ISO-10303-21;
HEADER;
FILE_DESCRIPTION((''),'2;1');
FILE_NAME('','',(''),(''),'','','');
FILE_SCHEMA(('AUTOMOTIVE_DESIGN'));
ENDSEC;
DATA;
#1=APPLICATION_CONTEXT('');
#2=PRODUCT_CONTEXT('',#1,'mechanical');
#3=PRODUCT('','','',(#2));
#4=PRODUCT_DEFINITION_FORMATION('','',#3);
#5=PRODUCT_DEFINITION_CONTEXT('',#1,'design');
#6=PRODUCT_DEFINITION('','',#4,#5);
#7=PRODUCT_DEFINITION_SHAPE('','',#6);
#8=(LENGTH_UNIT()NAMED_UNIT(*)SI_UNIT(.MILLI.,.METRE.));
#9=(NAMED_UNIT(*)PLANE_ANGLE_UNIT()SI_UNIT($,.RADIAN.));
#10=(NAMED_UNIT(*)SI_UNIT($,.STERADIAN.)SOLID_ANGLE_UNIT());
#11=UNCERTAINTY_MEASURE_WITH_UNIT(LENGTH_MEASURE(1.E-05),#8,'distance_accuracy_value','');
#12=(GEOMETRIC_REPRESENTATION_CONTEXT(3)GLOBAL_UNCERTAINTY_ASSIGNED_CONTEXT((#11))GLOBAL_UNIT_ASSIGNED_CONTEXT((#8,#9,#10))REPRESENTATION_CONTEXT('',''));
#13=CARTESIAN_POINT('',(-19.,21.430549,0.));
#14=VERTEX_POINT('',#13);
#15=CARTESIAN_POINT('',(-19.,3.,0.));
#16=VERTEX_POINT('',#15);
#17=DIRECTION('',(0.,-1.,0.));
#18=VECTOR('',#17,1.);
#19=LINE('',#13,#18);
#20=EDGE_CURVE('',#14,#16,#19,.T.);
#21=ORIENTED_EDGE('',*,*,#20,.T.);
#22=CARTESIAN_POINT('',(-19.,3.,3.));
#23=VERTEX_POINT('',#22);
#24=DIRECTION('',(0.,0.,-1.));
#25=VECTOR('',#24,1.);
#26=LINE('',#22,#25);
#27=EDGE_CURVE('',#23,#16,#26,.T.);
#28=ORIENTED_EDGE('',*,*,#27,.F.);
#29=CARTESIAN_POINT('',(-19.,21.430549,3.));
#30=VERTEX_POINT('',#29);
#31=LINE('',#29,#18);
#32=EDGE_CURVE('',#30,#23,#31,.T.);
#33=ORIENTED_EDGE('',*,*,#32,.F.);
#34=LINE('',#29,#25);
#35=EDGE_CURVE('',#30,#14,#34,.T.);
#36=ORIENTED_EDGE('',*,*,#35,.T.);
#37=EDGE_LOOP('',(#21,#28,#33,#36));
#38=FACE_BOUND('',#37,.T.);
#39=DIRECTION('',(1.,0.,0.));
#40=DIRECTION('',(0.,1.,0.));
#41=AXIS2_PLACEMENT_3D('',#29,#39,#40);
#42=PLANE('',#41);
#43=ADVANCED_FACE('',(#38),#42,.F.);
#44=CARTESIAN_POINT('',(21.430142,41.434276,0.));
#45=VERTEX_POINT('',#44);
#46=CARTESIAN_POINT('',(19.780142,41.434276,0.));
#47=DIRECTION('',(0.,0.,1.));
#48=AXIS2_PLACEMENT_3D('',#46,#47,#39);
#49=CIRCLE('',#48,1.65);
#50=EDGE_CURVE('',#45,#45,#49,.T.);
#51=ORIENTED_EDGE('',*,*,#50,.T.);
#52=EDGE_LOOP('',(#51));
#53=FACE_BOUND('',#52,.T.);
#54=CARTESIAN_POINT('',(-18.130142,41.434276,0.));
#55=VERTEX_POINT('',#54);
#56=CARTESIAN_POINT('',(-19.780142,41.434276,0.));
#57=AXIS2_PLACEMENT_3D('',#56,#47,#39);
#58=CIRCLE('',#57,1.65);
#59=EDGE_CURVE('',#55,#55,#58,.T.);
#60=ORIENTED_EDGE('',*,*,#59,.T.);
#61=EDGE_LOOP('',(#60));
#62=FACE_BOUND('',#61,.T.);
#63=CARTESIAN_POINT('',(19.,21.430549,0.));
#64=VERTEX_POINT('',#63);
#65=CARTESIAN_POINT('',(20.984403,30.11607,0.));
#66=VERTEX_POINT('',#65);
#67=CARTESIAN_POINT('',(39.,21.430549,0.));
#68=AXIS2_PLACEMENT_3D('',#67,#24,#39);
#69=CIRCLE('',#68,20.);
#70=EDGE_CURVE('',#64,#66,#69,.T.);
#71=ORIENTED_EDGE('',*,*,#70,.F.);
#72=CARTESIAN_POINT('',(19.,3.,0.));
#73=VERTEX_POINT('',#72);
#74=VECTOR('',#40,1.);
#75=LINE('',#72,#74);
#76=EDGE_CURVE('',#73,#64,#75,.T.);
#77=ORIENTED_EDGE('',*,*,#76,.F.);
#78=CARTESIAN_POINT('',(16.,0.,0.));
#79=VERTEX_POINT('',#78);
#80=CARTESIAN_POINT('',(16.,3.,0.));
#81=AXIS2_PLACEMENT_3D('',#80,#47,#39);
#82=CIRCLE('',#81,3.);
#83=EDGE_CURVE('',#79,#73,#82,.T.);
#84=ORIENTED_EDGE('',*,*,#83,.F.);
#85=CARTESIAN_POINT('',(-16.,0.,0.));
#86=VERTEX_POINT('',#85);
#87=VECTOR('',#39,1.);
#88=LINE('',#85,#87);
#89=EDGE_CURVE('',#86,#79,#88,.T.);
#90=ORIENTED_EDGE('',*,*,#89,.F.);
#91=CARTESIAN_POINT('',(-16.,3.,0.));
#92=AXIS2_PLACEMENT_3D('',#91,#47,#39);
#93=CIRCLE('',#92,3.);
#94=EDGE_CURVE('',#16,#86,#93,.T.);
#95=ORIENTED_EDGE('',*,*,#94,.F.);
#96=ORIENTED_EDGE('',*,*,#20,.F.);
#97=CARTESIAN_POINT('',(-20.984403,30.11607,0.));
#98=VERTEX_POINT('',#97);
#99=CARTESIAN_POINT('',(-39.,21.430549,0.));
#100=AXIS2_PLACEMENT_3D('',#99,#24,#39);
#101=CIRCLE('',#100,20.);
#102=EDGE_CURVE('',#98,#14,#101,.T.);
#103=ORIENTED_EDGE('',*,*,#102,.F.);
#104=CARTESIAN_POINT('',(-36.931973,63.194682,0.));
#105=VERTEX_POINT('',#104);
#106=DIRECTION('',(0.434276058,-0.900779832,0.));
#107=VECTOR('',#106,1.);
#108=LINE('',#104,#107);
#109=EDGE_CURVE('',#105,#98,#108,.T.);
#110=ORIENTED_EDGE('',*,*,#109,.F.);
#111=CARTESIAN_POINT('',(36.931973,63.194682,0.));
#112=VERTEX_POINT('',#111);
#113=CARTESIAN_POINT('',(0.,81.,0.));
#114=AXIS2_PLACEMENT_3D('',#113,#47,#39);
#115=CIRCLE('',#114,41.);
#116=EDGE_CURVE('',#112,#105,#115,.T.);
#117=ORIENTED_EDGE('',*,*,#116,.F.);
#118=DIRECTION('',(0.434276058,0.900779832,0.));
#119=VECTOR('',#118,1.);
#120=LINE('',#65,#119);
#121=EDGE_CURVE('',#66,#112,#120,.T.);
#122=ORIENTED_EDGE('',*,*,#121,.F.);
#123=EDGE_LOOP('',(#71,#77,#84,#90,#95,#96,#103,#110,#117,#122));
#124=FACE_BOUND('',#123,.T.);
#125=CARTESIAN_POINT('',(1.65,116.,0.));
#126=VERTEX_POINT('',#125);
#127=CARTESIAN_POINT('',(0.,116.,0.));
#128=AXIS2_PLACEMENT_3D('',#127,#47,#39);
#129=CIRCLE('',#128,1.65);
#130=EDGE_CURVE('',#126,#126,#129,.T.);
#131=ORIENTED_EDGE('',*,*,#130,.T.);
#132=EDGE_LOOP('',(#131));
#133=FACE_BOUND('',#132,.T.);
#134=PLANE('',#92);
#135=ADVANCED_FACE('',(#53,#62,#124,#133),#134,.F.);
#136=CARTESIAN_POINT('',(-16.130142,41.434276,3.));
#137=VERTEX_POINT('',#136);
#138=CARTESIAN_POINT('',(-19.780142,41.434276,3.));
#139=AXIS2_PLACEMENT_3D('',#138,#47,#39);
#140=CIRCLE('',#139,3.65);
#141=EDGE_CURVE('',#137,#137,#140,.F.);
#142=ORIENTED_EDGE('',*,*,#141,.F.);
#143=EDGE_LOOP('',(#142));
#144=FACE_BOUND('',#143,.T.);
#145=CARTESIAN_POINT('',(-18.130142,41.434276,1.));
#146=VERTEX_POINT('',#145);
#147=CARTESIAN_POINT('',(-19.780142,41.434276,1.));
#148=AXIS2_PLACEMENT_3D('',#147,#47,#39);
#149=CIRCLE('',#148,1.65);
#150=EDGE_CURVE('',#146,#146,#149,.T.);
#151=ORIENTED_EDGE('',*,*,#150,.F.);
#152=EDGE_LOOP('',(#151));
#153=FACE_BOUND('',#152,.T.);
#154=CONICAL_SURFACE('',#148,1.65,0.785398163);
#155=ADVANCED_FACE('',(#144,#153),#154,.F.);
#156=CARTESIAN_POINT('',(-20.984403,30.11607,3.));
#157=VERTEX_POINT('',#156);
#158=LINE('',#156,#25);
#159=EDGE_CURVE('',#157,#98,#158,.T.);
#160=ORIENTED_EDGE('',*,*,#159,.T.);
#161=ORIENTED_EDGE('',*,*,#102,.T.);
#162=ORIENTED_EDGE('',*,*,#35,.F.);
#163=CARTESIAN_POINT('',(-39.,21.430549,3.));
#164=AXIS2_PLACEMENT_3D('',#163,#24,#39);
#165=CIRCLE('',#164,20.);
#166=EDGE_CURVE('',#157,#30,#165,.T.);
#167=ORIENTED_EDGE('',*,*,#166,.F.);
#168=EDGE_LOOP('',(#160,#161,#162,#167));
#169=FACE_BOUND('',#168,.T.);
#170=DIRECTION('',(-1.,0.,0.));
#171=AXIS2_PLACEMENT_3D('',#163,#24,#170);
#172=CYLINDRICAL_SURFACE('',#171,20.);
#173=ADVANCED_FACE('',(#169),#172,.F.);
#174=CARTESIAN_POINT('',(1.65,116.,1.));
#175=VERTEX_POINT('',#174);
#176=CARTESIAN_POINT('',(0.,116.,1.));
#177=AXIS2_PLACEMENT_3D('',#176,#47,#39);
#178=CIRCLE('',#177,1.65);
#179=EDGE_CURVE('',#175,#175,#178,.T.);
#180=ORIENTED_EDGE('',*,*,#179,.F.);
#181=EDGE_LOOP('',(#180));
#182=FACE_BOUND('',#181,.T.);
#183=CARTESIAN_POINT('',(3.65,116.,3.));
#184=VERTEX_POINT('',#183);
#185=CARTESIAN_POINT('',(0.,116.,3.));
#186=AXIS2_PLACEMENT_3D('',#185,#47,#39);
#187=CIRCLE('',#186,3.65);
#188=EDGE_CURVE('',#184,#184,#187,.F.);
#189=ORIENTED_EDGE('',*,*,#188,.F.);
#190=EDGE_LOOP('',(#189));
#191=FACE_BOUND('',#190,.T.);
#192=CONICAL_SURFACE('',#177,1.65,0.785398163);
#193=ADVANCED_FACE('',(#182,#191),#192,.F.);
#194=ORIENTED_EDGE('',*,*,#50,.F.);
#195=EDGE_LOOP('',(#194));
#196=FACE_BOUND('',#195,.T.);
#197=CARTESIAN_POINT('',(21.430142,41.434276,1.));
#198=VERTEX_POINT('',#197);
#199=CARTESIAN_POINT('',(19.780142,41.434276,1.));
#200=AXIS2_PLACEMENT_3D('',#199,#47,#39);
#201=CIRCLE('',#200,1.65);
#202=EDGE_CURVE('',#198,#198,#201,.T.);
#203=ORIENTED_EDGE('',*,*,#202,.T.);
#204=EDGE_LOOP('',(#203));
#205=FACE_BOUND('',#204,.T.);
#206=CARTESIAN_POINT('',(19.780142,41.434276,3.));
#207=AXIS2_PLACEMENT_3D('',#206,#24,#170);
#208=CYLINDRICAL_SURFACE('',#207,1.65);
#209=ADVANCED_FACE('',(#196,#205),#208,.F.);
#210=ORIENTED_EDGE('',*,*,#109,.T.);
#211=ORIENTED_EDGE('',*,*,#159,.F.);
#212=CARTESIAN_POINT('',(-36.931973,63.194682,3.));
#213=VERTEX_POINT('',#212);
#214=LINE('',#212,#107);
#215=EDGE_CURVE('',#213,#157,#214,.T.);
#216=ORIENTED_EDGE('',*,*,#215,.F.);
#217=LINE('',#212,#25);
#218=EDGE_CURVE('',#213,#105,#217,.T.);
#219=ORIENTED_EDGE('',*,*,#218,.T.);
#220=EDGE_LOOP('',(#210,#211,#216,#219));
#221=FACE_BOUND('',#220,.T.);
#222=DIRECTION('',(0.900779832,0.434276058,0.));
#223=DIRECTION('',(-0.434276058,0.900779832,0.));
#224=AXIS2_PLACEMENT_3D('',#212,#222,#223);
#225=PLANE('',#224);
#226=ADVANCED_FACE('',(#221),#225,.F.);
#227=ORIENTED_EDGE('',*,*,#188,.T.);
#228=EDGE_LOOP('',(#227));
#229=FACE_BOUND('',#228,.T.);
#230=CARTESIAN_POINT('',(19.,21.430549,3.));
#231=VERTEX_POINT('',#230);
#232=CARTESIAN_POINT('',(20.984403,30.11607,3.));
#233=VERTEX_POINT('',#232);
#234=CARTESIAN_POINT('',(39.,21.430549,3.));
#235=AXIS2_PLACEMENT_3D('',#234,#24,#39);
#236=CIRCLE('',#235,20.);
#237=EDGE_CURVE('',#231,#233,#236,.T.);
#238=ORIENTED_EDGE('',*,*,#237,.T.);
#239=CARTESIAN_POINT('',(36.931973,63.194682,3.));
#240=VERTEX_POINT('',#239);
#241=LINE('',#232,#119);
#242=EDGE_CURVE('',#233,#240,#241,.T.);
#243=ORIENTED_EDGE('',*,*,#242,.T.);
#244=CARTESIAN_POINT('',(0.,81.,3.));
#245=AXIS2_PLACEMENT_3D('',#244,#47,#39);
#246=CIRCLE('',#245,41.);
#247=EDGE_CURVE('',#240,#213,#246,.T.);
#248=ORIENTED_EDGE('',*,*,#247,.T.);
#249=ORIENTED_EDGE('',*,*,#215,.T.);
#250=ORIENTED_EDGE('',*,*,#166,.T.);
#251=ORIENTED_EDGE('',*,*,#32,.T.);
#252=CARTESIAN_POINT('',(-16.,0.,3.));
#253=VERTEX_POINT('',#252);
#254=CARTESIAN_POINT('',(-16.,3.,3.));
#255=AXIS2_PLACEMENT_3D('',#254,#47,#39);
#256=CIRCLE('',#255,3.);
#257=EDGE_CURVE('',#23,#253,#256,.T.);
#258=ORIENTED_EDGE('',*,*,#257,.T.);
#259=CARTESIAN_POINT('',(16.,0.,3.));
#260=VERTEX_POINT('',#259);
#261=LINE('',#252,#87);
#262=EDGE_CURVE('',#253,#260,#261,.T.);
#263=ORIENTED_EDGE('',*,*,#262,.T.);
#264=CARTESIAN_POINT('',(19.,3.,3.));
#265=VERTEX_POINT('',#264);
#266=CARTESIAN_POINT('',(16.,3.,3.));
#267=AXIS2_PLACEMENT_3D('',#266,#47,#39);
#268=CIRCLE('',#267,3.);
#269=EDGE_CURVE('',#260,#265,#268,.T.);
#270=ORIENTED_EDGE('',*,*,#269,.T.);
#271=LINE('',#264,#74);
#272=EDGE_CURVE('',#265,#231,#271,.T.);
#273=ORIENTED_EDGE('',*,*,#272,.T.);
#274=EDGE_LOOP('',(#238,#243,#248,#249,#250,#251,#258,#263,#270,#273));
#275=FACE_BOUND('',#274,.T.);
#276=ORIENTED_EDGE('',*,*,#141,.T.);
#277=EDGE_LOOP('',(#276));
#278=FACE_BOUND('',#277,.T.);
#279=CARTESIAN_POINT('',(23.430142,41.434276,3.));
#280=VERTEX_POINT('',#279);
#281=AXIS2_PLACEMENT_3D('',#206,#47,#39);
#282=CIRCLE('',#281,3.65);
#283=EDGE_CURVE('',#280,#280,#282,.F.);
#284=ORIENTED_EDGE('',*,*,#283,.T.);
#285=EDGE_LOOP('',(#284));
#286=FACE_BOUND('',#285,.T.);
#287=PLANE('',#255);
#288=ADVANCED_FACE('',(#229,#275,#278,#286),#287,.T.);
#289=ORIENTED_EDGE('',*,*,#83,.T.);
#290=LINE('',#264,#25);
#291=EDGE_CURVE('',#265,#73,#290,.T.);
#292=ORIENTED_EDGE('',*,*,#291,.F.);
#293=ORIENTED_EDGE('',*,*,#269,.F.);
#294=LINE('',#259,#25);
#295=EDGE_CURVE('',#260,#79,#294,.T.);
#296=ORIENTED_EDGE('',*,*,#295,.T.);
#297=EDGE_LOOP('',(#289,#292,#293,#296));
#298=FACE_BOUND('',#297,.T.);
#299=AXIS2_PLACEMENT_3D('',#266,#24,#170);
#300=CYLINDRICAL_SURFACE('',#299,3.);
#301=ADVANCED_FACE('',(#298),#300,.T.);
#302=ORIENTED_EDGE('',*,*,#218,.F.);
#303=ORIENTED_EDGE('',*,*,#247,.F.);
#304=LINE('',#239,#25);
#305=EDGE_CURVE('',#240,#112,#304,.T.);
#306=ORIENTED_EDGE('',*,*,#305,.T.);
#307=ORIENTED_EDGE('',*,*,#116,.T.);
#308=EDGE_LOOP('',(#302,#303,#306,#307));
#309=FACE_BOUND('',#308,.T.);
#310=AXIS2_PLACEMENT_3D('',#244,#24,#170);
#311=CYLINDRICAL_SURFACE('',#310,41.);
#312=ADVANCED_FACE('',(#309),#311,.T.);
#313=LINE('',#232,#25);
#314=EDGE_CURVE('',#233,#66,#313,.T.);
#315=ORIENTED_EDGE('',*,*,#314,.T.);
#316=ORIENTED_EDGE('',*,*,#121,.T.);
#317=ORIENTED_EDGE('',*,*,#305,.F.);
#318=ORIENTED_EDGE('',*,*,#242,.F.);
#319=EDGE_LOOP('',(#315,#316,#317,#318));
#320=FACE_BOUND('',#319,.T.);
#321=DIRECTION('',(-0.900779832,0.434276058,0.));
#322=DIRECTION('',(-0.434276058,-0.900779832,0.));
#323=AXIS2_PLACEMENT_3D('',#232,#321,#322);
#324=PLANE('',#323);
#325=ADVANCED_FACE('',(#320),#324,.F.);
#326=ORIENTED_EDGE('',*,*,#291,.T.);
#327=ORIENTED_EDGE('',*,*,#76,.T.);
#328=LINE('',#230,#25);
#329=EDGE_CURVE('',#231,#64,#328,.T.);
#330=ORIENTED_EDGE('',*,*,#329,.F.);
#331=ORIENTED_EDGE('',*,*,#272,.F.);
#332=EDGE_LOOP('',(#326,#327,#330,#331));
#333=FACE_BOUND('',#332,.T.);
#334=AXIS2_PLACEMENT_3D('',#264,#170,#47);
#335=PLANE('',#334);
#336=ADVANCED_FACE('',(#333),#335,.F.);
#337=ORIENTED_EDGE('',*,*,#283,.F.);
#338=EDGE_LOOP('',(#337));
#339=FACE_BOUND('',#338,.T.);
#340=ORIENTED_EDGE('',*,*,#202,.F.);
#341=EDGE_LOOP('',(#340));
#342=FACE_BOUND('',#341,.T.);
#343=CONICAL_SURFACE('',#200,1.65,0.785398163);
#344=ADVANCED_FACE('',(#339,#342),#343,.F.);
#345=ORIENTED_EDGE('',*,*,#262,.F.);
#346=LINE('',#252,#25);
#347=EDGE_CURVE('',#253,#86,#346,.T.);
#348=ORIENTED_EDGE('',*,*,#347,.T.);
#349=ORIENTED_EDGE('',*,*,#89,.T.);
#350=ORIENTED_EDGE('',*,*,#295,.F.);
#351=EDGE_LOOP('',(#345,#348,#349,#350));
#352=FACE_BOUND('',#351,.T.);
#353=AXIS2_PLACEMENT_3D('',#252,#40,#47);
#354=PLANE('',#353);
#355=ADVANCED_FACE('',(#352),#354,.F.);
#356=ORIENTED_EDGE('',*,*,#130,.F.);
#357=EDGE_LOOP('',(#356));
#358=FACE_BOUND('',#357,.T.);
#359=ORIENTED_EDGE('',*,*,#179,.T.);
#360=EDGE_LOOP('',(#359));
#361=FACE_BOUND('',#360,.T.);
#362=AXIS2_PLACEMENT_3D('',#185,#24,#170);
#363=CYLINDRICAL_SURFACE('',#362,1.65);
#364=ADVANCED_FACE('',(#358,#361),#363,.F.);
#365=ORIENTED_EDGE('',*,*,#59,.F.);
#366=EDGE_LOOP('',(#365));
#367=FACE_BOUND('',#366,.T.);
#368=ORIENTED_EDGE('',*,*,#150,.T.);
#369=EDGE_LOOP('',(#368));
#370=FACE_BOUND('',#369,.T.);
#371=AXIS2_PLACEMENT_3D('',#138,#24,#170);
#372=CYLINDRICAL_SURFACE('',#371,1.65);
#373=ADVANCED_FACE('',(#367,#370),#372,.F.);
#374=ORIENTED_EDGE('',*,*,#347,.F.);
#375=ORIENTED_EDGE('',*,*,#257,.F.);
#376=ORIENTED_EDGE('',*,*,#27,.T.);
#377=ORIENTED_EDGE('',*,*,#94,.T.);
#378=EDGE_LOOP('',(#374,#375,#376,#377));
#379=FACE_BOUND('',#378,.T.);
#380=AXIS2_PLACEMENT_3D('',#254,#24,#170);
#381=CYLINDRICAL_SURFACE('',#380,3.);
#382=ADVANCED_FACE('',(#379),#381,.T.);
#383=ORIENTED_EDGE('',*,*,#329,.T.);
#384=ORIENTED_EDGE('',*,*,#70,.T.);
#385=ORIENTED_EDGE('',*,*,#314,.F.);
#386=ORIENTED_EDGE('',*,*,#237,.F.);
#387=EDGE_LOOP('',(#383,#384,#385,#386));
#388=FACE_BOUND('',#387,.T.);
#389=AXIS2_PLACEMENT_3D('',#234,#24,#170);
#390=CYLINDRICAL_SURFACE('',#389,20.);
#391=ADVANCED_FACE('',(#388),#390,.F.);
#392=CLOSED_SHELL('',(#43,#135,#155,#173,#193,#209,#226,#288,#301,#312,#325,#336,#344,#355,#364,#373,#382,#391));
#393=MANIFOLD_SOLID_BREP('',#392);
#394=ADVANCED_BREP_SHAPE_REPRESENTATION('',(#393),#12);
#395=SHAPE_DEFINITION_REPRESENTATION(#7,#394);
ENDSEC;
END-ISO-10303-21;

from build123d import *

# Parameters (mm, degrees)
ESQUISSE1_R        = 1.65
BOSS_EXTRU_1_DEPTH = 3
CHANFREIN1_SIZE    = 2


with BuildPart() as part:
    # Esquisse1 → Boss.-Extru.1 (new body)
    with BuildSketch(Plane.XY):
        with BuildLine():
            Line((-16, 0), (16, 0))
            ThreePointArc((16, 0), (18.121320344, 0.878679656), (19, 3))
            Line((19, 3), (19, 21.430548548))
            ThreePointArc((19, 21.430548548), (19.502411268, 25.885212805), (20.984403364, 30.11606971))
            Line((20.984403364, 30.11606971), (36.931973103, 63.194681617))
            ThreePointArc((36.931973103, 63.194681617), (0, 122), (-36.931973103, 63.194681617))
            Line((-36.931973103, 63.194681617), (-20.984403364, 30.11606971))
            ThreePointArc((-20.984403364, 30.11606971), (-19.502411268, 25.885212805), (-19, 21.430548548))
            Line((-19, 21.430548548), (-19, 3))
            ThreePointArc((-19, 3), (-18.121320344, 0.878679656), (-16, 0))
        make_face()
        with Locations((0, 116)):
            Circle(ESQUISSE1_R, mode=Mode.SUBTRACT)
        with Locations((19.780142429, 41.434276058)):
            Circle(ESQUISSE1_R, mode=Mode.SUBTRACT)
        with Locations((-19.780142429, 41.434276058)):
            Circle(ESQUISSE1_R, mode=Mode.SUBTRACT)
    extrude(amount=BOSS_EXTRU_1_DEPTH)

    # Chanfrein1
    chanfrein1_edges = [part.edges().sort_by_distance(p)[0] for p in [
        (-1.65, 116, 3),
        (18.130142429, 41.434276058, 3),
        (-21.430142429, 41.434276058, 3),
    ]]
    chamfer(chanfrein1_edges, length=CHANFREIN1_SIZE)


solid = part.part
